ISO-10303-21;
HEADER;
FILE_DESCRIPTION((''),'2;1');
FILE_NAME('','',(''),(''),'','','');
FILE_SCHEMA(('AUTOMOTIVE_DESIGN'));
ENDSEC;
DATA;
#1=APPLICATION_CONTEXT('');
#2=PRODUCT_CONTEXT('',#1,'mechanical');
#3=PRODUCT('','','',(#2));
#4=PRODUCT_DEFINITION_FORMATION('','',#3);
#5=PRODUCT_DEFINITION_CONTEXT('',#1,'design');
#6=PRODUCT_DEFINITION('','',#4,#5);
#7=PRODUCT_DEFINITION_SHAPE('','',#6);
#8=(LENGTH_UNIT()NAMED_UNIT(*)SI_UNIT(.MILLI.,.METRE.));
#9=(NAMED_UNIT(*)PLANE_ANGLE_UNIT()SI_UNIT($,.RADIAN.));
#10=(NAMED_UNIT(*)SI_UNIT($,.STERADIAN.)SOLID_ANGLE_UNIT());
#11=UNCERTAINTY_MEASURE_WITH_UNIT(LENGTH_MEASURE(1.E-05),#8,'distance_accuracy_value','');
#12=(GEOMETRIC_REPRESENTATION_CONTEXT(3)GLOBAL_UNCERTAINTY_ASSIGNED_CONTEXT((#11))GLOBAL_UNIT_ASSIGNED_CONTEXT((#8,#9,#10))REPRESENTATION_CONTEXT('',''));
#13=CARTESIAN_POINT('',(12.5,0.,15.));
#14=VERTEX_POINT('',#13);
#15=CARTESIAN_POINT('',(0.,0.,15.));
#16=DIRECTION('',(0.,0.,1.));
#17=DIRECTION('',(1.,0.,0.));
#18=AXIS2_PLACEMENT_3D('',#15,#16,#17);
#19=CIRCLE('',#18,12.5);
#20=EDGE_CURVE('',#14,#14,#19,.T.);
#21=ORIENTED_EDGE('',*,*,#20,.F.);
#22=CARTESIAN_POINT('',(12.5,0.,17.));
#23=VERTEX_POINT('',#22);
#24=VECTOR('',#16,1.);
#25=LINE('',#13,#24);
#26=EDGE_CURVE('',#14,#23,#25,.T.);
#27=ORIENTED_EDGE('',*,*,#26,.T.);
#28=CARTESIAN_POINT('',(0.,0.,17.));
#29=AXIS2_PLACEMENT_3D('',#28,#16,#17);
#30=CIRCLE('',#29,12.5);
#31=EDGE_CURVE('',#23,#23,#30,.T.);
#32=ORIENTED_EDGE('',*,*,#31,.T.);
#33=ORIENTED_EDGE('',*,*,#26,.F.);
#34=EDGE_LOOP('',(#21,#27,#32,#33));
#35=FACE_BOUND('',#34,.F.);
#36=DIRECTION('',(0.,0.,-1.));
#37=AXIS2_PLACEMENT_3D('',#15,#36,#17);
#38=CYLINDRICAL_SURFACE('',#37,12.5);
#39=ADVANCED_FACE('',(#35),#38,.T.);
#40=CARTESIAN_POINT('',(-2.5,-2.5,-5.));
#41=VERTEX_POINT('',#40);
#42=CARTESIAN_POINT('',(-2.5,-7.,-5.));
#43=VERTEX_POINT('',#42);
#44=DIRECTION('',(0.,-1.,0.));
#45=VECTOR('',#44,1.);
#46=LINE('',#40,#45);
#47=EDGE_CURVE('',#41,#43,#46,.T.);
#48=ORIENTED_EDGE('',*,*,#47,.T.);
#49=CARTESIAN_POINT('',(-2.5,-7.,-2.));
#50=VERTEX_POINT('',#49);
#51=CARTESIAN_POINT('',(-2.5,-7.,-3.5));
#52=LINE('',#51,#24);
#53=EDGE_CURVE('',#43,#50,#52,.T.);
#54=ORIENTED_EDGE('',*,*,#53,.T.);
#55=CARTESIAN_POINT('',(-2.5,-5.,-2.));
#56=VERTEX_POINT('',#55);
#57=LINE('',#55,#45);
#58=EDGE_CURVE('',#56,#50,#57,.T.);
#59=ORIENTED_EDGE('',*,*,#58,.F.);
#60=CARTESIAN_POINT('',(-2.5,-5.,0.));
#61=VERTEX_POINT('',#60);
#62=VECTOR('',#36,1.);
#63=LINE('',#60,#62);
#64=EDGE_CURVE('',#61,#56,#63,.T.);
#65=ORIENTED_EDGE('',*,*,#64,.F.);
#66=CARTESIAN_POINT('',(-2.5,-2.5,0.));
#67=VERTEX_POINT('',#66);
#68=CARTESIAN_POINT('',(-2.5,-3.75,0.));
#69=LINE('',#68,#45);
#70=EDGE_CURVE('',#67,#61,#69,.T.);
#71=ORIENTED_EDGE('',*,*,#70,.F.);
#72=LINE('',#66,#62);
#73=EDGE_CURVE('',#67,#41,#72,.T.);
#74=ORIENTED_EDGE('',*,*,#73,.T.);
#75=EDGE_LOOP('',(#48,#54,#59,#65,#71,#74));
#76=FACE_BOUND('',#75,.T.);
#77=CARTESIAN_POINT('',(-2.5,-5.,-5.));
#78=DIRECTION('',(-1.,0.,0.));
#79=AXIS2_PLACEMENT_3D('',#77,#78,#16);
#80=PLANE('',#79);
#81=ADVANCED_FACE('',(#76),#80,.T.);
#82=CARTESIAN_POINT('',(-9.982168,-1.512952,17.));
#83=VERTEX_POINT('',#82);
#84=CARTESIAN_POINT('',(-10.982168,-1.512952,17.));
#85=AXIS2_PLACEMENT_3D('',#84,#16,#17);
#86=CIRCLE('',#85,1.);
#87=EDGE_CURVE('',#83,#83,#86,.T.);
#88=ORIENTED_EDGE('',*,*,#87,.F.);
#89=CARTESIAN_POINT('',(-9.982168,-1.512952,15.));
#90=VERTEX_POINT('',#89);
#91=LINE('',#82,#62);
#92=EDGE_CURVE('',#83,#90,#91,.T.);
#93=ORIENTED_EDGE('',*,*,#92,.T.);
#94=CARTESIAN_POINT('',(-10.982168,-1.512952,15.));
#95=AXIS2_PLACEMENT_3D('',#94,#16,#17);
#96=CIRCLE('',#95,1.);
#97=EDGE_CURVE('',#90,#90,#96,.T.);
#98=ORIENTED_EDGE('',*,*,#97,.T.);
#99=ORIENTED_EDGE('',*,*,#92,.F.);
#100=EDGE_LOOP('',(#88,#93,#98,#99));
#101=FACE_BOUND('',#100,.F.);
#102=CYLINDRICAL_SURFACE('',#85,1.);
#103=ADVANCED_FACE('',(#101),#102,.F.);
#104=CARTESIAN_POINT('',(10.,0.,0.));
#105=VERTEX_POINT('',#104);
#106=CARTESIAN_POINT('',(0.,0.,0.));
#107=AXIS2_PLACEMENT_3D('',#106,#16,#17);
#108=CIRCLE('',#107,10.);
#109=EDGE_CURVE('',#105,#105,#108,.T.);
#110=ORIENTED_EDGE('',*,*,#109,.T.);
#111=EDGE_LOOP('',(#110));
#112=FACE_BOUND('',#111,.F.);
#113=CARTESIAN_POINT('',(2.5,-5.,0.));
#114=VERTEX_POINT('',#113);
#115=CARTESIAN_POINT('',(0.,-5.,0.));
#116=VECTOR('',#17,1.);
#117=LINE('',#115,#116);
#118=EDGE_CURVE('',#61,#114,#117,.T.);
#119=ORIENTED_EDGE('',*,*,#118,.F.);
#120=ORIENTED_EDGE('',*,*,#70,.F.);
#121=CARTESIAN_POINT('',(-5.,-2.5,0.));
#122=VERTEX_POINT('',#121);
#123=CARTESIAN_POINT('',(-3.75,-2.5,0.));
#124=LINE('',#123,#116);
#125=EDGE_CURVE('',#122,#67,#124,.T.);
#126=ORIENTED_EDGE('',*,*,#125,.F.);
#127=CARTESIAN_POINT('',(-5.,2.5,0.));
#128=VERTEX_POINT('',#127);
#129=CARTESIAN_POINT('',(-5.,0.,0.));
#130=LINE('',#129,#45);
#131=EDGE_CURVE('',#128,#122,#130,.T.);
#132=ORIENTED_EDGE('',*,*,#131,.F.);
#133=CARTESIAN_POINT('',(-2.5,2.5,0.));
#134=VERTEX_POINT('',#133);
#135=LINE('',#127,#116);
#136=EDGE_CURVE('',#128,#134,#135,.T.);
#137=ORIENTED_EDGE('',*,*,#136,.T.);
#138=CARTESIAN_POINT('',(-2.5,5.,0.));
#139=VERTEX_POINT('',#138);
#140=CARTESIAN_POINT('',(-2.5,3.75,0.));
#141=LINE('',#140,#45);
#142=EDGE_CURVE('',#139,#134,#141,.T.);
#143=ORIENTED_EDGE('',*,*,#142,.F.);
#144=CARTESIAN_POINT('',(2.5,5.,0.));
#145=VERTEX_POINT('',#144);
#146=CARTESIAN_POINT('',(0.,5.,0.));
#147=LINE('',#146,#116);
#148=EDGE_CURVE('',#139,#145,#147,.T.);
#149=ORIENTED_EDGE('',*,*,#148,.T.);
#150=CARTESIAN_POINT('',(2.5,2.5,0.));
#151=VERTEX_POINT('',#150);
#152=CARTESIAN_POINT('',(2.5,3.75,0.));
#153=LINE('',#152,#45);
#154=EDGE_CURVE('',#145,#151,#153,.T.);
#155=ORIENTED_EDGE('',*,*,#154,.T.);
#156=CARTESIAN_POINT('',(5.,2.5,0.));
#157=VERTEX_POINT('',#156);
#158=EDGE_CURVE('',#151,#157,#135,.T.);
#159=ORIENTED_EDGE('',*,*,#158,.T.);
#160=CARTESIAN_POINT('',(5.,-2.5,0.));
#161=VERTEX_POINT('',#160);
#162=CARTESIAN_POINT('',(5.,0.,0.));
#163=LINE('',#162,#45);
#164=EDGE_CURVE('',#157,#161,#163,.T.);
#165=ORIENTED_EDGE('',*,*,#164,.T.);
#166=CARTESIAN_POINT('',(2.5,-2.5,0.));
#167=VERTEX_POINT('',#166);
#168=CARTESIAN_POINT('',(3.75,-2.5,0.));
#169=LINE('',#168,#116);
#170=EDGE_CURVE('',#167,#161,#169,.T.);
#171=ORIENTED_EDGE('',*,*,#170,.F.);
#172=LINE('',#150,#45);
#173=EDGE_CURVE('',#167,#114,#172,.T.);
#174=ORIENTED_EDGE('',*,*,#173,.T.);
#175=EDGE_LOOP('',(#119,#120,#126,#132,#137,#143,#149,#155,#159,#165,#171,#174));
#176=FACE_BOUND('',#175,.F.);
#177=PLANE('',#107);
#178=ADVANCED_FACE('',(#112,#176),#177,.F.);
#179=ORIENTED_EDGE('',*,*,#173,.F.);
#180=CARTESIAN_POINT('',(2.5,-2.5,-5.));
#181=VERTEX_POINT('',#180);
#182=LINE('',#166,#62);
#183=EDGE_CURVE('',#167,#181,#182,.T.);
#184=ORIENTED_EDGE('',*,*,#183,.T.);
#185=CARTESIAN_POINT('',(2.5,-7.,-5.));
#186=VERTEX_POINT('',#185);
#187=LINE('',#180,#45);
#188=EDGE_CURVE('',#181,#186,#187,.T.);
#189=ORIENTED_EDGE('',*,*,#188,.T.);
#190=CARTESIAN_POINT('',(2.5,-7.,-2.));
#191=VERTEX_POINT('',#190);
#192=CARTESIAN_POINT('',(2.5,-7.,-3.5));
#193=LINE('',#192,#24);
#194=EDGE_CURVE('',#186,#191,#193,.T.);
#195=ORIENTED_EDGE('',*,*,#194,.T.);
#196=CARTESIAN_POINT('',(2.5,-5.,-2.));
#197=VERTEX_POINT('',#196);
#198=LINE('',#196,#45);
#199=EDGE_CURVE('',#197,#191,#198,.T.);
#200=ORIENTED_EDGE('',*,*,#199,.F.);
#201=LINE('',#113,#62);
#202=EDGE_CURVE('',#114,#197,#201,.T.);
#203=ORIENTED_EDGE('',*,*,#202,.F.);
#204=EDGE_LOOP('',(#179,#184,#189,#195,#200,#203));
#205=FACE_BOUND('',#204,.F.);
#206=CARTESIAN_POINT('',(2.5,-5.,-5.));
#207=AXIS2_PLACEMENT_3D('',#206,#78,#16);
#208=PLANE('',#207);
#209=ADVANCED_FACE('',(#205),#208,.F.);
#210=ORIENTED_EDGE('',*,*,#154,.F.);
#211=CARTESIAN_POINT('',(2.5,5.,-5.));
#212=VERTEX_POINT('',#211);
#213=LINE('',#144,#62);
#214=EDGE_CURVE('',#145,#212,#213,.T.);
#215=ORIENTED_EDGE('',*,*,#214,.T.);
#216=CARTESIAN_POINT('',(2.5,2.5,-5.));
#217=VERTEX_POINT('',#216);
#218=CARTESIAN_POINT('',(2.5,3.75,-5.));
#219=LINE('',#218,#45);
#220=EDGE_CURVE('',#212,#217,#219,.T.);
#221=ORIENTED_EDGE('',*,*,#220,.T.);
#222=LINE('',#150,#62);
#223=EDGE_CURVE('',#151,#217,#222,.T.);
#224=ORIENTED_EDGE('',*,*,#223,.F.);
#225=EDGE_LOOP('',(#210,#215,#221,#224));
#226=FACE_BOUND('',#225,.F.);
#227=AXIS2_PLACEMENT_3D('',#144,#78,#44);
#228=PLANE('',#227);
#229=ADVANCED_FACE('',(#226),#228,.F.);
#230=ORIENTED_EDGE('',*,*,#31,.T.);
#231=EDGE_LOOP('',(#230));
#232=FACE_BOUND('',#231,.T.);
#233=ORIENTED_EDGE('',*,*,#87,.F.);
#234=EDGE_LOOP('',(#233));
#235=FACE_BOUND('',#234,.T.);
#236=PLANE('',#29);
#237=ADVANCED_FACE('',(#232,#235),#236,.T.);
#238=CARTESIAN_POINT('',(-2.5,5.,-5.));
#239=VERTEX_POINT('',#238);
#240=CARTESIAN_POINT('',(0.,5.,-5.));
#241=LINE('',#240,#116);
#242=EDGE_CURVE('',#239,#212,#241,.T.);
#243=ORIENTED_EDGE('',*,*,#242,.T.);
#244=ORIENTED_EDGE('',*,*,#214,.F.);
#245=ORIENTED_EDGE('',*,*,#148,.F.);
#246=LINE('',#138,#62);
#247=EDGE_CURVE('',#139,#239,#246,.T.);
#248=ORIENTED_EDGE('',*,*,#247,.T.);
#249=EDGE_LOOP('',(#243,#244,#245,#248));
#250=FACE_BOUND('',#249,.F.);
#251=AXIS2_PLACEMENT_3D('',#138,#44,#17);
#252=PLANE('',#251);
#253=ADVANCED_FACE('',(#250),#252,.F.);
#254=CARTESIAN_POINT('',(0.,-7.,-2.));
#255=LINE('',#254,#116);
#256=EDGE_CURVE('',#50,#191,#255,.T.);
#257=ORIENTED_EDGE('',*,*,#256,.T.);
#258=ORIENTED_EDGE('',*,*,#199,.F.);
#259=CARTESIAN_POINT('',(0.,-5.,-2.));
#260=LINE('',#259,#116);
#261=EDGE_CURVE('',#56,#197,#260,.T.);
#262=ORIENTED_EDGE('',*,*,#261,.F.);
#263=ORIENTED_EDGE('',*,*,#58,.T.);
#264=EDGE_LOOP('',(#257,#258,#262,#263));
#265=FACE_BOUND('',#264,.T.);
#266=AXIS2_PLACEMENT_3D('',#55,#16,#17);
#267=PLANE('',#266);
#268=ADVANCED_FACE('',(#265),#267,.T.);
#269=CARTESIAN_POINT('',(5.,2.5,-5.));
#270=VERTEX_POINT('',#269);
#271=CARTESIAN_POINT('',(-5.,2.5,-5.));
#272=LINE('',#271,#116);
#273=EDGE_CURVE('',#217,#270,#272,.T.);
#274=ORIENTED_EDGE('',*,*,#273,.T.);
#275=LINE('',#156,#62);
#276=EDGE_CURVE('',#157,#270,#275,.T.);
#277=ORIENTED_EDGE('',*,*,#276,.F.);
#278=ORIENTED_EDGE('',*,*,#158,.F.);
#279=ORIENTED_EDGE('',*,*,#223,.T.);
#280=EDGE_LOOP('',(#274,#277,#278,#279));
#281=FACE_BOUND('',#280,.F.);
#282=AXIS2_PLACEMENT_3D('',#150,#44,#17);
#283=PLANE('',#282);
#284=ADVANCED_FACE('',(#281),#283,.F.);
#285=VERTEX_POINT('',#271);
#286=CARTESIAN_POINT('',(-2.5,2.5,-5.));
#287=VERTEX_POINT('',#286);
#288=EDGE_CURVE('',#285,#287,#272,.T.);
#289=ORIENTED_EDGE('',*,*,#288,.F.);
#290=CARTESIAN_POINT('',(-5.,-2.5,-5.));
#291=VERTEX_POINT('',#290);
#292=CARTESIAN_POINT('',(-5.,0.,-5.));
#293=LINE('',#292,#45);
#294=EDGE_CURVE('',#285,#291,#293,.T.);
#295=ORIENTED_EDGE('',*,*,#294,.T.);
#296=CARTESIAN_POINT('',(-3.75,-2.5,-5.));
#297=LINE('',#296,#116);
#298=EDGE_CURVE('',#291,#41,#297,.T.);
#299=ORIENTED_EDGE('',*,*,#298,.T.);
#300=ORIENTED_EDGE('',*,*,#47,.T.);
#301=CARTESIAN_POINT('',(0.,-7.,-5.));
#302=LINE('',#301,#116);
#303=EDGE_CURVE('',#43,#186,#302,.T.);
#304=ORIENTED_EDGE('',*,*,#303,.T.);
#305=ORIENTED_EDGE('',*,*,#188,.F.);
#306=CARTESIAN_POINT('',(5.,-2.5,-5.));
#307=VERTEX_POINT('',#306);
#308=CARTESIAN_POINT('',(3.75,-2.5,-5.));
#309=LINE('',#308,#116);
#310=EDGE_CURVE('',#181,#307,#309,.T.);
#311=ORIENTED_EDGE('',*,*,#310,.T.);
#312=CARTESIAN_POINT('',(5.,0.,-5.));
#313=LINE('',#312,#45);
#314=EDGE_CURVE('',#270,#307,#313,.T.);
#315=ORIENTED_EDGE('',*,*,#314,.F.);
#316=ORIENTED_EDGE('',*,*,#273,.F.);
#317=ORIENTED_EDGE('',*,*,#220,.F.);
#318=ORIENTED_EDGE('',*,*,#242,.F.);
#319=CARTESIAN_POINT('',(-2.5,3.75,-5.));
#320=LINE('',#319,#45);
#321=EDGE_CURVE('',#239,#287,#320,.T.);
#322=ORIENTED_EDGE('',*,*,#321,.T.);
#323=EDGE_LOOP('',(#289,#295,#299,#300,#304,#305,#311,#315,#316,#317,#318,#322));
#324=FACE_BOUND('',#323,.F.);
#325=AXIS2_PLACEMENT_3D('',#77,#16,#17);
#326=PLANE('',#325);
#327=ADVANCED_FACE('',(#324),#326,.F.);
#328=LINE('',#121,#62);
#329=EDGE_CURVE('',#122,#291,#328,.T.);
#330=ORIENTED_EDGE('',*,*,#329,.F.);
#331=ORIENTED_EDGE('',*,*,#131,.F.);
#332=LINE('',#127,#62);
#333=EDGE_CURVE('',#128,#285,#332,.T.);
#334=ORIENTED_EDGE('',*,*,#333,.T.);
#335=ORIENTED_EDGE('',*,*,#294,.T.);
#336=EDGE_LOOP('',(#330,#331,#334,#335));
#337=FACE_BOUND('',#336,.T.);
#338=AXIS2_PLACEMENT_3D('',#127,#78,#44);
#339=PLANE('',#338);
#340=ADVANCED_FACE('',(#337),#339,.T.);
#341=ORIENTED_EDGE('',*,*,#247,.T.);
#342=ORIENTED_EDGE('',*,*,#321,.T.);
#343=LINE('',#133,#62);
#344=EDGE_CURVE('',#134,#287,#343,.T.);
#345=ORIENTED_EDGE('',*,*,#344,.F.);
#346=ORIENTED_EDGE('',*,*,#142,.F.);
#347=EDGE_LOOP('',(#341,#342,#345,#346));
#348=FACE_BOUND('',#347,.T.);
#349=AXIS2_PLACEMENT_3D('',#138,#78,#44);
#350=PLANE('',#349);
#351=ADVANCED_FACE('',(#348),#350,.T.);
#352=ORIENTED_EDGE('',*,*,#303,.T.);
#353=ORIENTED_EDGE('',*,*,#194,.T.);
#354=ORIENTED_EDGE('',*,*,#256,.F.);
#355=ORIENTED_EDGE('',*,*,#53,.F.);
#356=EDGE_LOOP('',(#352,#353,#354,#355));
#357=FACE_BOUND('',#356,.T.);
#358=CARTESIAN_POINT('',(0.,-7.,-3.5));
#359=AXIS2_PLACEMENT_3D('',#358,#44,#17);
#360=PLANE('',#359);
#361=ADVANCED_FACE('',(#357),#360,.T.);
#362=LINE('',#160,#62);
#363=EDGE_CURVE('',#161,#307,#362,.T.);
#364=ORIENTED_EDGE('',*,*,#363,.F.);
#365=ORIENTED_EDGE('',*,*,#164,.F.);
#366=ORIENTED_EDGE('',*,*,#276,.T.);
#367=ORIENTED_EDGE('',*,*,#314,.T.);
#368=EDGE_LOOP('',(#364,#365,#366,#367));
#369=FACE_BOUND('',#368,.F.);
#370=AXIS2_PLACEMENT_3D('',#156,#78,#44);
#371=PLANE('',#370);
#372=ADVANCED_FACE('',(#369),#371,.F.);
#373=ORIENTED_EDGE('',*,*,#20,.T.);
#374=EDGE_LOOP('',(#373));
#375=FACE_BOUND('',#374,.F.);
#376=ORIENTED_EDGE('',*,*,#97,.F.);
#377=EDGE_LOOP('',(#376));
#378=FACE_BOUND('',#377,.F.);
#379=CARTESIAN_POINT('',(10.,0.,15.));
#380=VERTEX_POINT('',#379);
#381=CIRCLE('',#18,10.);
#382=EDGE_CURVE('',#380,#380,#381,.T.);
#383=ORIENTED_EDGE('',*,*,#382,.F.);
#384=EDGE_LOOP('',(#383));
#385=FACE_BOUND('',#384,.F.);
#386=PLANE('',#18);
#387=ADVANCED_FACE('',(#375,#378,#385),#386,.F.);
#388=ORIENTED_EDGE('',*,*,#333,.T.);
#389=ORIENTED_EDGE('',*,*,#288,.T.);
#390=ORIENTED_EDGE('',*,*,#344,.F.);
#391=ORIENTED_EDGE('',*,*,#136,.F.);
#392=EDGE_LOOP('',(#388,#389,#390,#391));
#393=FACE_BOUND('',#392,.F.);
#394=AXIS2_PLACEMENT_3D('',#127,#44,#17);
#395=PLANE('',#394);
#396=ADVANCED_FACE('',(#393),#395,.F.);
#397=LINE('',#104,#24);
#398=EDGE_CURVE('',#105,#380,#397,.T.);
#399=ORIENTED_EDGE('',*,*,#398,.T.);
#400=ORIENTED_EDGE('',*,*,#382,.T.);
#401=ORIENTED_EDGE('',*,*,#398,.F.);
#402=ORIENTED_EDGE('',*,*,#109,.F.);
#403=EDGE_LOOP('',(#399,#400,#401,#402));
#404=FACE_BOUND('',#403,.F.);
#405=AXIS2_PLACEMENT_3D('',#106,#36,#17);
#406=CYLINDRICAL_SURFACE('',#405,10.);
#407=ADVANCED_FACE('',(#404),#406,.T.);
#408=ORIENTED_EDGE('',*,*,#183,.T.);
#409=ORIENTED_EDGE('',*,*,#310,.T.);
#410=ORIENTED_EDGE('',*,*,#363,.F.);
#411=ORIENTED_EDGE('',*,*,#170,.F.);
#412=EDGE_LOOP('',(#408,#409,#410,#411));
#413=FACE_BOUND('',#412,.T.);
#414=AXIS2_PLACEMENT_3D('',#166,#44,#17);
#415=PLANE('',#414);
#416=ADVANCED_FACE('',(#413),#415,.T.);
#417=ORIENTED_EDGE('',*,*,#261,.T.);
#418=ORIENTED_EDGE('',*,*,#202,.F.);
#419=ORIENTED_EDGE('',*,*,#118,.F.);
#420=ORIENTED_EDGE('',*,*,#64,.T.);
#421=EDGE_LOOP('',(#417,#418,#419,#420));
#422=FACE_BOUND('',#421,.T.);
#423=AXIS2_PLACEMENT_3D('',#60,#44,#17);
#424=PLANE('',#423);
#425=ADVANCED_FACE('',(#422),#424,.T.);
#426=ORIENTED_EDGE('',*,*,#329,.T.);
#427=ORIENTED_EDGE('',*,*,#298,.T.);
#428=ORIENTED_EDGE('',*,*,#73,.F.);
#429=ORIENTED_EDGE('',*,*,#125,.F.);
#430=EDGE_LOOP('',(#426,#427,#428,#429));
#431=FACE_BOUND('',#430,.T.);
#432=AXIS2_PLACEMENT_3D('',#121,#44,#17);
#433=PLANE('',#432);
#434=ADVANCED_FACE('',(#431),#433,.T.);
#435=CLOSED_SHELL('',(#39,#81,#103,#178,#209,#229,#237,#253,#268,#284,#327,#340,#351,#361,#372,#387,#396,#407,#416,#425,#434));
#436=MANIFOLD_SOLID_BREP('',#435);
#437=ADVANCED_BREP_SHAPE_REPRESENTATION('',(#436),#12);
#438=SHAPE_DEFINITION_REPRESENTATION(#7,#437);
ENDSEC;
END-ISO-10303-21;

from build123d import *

# Parameters (mm, degrees)
F0_R     = 10
F1_DEPTH = 15
F2_R     = 12.5
F3_DEPTH = 2
F4_W     = 2.5
F4_H     = 5
F4_W_2   = 5
F4_H_2   = 2.5
F5_DEPTH = 5
F6_W     = 5
F6_H     = 3
F7_DEPTH = 2
F8_R     = 1
F9_DEPTH = 3


with BuildPart() as f1:
    # F0 (on Top) → F1 (new body)
    with BuildSketch(Plane.XY):
        Circle(F0_R)
    extrude(amount=F1_DEPTH)

    # F2 (on face) → F3 (join)
    with BuildSketch(Plane.XY.offset(15)):
        Circle(F2_R)
    extrude(amount=F3_DEPTH)

    # F4 (on face) → F5 (join)
    with BuildSketch(Plane(origin=(0, 0, 0), x_dir=(1, 0, 0), z_dir=(0, 0, -1))):
        with Locations((-3.75, 0)):
            Rectangle(F4_W, F4_H)
        with Locations((0, 3.75)):
            Rectangle(F4_W_2, F4_H_2)
        Rectangle(F4_W_2, F4_H)
        with Locations((3.75, 0)):
            Rectangle(F4_W, F4_H)
        with Locations((0, -3.75)):
            Rectangle(F4_W_2, F4_H_2)
    extrude(amount=F5_DEPTH)

    # F6 (on face) → F7 (join)
    with BuildSketch(Plane.XZ.offset(5)):
        with Locations((0, -3.5)):
            Rectangle(F6_W, F6_H)
    extrude(amount=F7_DEPTH)

    # F8 (on face) → F9 (cut)
    with BuildSketch(Plane.XY.offset(17)):
        with Locations((-10.9821680997, -1.5129518582)):
            Circle(F8_R)
    extrude(amount=-F9_DEPTH, mode=Mode.SUBTRACT)


solid = f1.part
